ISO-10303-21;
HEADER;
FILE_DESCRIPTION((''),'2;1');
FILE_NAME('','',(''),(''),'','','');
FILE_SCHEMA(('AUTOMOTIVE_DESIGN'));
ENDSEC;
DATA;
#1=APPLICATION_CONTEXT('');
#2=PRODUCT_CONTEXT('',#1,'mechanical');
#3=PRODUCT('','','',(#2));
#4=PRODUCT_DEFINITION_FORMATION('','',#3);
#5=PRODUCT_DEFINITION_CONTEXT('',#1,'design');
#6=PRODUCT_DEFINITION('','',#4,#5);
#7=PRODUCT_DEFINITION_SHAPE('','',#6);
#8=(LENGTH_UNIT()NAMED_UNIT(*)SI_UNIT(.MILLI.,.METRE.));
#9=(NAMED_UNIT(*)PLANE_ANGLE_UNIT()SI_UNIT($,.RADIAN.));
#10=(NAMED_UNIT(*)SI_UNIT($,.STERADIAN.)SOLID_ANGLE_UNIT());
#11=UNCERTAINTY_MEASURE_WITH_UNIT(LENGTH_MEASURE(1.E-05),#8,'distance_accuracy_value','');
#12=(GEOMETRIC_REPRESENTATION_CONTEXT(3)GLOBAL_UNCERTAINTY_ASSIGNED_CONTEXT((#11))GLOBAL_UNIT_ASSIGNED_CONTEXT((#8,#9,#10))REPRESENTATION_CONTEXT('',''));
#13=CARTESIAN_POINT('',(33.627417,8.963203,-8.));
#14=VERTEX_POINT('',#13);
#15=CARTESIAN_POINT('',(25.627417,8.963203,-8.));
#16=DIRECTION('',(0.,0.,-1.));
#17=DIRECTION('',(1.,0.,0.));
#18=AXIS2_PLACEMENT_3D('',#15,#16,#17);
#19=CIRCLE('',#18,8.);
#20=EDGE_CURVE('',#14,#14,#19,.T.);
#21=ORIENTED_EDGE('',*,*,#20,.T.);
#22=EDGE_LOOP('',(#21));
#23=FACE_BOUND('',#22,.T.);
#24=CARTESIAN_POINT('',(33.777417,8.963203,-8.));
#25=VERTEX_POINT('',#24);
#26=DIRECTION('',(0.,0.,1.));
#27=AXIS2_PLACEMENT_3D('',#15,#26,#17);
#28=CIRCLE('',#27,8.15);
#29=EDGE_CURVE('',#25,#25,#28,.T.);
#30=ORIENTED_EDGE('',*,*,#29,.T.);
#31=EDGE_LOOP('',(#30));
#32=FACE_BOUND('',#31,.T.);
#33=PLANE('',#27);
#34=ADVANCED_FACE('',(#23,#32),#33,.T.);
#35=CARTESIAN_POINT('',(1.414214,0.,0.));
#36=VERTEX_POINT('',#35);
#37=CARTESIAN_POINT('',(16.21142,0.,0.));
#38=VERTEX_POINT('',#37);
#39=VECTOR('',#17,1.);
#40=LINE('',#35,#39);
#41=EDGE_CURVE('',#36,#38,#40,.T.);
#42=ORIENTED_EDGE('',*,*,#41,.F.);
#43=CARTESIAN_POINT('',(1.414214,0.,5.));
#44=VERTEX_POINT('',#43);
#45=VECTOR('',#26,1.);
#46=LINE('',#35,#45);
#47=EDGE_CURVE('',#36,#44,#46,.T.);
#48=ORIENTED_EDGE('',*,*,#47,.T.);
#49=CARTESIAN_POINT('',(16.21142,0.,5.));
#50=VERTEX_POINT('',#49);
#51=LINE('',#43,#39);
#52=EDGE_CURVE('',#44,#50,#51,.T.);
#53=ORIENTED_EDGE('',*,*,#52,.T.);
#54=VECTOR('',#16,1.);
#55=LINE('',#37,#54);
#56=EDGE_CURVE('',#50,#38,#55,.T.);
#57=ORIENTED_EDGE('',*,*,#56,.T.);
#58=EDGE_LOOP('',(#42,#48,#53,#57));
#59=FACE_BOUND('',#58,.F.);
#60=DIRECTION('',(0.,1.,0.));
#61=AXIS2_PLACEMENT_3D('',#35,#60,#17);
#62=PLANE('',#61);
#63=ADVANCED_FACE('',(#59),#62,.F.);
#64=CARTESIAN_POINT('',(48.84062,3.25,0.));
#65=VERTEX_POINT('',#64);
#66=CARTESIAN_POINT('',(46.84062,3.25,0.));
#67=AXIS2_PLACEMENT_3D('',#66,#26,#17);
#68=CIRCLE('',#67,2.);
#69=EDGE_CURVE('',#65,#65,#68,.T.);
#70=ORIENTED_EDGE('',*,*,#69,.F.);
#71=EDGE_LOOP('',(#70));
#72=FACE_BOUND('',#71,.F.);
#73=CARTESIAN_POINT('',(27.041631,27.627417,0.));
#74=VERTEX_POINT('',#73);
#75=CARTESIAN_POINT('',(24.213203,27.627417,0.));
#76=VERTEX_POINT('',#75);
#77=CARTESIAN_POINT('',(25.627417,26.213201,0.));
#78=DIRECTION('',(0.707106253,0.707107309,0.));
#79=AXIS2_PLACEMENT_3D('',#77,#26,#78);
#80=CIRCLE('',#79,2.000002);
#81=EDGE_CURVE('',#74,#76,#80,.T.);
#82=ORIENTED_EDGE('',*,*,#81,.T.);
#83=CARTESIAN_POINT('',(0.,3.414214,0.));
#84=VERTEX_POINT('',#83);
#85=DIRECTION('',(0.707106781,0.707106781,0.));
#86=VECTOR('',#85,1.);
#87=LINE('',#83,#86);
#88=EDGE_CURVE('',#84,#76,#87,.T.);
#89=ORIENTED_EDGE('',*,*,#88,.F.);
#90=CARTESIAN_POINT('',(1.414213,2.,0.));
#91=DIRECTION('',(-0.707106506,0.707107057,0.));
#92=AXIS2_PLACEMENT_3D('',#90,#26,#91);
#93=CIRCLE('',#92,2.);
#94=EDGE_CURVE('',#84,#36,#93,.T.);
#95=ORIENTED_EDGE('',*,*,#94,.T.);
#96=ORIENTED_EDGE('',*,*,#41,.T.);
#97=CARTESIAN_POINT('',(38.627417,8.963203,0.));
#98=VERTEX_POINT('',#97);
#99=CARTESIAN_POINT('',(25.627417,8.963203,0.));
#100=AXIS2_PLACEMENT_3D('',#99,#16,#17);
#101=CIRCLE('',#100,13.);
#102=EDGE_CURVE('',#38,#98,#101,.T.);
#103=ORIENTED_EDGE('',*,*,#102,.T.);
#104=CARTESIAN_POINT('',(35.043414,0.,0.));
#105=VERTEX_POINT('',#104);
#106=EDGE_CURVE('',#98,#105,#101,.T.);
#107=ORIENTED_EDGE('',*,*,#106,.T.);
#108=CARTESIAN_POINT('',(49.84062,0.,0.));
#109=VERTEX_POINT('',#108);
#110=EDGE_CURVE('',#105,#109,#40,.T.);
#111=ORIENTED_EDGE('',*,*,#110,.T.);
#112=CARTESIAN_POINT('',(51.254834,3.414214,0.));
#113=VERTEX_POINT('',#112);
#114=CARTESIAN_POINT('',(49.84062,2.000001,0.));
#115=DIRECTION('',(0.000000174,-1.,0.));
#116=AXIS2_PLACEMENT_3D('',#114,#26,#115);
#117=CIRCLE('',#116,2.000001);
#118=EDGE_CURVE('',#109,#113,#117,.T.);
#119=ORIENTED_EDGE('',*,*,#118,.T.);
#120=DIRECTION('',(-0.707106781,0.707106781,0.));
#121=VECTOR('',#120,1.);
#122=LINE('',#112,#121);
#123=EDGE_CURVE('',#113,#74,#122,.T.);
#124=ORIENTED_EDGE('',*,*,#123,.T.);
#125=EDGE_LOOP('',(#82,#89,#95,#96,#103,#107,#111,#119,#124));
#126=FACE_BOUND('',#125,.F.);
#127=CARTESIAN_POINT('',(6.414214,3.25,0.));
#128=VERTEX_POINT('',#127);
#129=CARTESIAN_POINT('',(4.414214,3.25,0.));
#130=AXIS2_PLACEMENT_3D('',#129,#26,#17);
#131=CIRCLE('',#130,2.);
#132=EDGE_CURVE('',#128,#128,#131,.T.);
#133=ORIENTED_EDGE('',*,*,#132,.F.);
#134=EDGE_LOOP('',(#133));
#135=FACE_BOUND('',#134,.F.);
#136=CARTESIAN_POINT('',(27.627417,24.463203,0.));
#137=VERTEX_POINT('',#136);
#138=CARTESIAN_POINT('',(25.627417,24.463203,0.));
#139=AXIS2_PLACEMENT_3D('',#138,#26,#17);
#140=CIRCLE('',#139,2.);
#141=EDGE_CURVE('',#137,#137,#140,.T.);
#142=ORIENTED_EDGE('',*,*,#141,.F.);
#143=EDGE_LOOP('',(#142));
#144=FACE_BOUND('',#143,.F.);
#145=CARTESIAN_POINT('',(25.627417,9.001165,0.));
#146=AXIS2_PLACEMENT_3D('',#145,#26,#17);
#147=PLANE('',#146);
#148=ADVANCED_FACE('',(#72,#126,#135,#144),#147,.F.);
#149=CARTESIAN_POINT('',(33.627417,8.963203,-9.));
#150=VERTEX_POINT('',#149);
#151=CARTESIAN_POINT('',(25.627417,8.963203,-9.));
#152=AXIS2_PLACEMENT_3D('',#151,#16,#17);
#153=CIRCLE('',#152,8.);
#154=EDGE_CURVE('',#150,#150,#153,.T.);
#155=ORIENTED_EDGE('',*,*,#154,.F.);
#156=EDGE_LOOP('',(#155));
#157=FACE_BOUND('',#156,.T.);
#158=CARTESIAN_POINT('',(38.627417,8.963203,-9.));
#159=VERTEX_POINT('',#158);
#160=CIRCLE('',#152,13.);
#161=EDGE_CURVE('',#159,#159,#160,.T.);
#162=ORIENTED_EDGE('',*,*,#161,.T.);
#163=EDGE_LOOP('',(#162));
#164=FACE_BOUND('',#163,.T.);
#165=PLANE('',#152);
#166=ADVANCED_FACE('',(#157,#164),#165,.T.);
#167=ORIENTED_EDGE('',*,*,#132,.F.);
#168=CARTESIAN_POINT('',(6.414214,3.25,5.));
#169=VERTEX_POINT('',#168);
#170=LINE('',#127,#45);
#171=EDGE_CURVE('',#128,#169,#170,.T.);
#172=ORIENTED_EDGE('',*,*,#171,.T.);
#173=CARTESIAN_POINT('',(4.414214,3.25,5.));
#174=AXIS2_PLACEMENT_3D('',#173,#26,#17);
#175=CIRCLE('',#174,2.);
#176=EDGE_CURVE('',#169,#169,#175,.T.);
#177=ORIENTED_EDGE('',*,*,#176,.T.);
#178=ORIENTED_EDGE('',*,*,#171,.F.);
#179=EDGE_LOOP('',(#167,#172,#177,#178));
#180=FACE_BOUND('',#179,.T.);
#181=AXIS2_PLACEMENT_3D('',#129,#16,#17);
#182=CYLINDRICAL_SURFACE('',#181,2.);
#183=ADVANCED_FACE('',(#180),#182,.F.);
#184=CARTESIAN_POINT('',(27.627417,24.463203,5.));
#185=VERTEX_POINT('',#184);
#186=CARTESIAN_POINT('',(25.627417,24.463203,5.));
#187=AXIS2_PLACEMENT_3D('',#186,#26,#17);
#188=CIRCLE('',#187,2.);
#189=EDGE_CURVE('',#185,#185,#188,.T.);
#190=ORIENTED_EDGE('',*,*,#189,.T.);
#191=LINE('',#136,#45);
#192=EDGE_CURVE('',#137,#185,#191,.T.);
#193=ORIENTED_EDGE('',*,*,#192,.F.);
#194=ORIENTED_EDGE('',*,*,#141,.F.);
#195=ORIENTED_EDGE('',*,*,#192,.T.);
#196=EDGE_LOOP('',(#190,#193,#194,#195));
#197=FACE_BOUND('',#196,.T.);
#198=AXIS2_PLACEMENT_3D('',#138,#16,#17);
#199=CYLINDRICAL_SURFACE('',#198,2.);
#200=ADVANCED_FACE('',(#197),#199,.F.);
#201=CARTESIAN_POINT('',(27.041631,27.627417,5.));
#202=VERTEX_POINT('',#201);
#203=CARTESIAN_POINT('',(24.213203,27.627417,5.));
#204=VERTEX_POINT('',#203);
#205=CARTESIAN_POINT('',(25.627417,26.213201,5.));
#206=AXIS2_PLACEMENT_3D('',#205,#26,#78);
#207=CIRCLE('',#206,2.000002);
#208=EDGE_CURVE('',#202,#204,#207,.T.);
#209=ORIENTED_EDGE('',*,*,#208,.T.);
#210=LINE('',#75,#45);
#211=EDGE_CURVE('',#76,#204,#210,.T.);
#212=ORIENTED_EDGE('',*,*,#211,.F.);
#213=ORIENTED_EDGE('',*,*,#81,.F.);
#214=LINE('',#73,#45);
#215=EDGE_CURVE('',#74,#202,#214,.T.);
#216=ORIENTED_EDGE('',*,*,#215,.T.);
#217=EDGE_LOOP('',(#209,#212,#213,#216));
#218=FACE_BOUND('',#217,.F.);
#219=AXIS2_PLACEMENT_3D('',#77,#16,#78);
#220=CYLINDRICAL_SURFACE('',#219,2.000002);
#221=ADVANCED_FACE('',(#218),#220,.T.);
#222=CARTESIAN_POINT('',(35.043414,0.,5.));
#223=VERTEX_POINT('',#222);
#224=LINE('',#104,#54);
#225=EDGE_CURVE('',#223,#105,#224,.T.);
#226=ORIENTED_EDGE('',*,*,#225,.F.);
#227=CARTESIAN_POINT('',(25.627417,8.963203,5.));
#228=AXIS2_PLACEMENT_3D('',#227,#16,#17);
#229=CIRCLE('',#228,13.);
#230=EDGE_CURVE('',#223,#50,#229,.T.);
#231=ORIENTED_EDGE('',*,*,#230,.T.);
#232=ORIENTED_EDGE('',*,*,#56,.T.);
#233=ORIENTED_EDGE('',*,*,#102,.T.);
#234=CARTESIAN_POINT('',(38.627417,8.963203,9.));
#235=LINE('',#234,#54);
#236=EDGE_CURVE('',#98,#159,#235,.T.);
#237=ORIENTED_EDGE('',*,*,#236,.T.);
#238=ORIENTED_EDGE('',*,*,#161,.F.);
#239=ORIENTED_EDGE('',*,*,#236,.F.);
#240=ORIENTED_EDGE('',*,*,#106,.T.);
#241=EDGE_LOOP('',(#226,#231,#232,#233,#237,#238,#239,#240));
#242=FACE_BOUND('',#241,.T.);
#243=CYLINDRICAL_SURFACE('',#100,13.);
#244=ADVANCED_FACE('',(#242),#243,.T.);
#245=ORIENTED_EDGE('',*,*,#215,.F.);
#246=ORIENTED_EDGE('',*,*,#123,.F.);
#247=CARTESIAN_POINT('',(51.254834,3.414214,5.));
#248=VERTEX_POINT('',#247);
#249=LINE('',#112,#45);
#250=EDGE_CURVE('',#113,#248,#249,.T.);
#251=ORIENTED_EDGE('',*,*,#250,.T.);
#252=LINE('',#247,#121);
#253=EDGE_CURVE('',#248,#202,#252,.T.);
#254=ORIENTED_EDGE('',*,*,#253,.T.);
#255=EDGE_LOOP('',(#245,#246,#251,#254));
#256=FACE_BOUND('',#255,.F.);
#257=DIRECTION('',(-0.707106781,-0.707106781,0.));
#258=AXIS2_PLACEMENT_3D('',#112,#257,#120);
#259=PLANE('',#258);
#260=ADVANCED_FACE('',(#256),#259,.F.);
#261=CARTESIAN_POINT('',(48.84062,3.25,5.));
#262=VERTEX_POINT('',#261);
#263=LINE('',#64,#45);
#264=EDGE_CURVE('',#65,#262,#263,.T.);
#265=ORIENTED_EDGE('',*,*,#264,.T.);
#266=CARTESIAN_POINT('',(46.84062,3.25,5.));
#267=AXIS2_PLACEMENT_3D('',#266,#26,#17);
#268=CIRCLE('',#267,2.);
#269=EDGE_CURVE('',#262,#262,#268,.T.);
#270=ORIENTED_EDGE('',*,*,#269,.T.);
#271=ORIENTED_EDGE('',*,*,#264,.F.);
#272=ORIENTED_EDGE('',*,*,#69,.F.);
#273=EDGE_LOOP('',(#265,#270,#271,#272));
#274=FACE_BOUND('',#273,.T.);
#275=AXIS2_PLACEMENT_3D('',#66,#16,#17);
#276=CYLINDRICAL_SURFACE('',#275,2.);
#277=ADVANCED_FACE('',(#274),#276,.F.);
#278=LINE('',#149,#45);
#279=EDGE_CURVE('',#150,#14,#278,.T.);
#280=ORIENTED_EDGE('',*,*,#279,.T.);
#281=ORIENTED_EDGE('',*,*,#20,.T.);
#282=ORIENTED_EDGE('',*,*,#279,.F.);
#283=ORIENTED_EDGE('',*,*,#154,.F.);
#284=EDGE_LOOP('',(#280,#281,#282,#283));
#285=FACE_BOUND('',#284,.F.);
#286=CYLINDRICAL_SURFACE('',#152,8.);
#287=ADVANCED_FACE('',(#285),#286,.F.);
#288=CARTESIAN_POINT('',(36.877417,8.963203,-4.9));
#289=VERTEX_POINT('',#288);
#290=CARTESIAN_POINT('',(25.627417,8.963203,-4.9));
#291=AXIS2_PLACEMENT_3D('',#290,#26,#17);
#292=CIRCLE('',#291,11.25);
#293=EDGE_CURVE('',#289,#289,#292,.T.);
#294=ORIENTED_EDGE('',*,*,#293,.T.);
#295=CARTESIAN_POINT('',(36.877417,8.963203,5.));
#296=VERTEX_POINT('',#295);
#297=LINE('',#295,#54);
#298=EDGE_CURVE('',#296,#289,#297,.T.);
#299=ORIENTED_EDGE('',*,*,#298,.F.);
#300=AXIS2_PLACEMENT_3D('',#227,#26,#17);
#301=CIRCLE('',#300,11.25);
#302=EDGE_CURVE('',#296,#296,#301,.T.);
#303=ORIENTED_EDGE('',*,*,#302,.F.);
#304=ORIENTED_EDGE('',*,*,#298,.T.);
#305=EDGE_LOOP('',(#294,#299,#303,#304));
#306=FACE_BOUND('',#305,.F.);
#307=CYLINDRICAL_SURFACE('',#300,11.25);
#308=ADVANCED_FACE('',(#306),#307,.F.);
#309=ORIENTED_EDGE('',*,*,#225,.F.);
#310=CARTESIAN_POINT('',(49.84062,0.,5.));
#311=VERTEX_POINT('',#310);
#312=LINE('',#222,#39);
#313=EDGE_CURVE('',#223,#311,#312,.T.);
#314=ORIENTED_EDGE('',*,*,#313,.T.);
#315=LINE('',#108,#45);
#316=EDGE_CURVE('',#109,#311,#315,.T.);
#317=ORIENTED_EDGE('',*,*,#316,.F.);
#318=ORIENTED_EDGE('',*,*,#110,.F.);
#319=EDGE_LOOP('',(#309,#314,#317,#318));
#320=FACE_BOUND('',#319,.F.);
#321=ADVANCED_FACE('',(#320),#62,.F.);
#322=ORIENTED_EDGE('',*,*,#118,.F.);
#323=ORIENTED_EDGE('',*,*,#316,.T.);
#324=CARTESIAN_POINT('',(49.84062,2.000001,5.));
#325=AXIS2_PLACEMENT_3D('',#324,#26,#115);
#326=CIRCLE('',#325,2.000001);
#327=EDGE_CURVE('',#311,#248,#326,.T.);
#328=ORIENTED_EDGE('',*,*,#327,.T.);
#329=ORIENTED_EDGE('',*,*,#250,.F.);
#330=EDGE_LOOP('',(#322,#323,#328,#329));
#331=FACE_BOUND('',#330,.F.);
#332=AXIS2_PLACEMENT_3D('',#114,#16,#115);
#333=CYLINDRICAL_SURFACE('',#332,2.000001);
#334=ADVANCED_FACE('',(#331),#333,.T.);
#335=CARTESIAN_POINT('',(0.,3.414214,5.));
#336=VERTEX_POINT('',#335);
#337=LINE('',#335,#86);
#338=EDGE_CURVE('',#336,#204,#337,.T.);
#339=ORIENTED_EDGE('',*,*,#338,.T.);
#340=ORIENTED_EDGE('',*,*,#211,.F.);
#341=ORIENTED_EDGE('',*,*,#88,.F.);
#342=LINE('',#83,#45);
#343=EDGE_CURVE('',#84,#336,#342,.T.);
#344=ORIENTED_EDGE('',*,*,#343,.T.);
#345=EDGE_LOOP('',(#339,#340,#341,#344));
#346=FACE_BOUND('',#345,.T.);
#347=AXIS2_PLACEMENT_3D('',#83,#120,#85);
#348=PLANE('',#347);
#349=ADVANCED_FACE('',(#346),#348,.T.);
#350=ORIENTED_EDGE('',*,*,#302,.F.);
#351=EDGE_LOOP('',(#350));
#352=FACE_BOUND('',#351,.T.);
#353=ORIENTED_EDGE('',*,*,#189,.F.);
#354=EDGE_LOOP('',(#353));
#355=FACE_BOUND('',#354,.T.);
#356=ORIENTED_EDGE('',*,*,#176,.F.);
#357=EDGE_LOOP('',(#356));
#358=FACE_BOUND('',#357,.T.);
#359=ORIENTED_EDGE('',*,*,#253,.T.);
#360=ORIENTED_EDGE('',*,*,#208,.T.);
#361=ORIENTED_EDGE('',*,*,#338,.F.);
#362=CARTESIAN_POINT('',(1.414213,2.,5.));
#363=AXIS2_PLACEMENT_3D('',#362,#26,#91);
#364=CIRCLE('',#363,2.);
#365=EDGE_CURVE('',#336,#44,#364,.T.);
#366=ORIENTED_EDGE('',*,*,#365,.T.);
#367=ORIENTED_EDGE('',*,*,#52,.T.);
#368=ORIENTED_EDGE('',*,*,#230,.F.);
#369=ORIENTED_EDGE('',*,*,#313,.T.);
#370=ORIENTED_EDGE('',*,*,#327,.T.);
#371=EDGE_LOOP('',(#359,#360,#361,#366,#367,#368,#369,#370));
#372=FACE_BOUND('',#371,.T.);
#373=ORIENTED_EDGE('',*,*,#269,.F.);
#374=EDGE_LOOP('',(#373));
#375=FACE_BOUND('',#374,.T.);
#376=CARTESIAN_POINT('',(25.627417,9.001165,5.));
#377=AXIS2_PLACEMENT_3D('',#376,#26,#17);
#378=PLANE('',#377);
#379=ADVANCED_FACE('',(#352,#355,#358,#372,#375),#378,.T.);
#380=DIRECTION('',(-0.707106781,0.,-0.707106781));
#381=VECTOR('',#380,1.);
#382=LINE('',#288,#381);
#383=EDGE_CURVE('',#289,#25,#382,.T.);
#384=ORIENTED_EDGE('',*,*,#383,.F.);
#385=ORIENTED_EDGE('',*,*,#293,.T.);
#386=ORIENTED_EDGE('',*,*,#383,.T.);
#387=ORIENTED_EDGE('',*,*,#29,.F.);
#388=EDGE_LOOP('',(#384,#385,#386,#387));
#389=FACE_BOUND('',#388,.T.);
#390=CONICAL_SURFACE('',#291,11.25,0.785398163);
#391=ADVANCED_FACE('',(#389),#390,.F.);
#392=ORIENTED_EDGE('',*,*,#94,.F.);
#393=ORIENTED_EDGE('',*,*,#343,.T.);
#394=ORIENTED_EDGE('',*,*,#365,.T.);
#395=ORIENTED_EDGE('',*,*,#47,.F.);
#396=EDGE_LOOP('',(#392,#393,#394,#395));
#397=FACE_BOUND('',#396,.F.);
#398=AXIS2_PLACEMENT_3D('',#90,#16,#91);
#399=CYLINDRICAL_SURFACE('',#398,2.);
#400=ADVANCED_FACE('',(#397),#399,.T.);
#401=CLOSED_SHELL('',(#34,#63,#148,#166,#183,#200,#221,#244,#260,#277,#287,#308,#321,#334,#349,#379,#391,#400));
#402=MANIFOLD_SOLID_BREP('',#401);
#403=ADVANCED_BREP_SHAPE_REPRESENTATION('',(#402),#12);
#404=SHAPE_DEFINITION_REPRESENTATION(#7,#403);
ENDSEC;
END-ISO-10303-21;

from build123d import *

# Parameters (mm, degrees)
SKETCH_R        = 2
PAD_DEPTH       = 5
SKETCH001_R     = 13
PAD001_DEPTH    = 9
SKETCH002_R     = 8
POCKET_DEPTH    = 18.001
SKETCH003_W     = 37.242641
SKETCH003_H     = 5
POCKET001_DEPTH = 41.926514
SKETCH004_R     = 11.25
POCKET002_DEPTH = 13
CHAMFER_SIZE    = 3.1


with BuildPart() as part:
    # Sketch → Pad (new body)
    with BuildSketch(Plane.XY):
        with BuildLine():
            Line((1.414214, 0), (49.84062, 0))
            ThreePointArc((49.84062, 0), (51.688379, 1.234633), (51.254834, 3.414214))
            Line((51.254834, 3.414214), (27.041631, 27.627417))
            ThreePointArc((27.041631, 27.627417), (25.627417, 28.213203), (24.213203, 27.627417))
            Line((0, 3.414214), (24.213203, 27.627417))
            ThreePointArc((0, 3.414214), (-0.433546, 1.234633), (1.414214, 0))
        make_face()
        with Locations((4.414214, 3.25)):
            Circle(SKETCH_R, mode=Mode.SUBTRACT)
        with Locations((46.84062, 3.25)):
            Circle(SKETCH_R, mode=Mode.SUBTRACT)
        with Locations((25.627417, 24.463203)):
            Circle(SKETCH_R, mode=Mode.SUBTRACT)
    extrude(amount=PAD_DEPTH)

    # Sketch001 (on Face10 of Pad) → Pad001 (join, symmetric)
    with BuildSketch(Plane(origin=(0, 0, 0), x_dir=(1, 0, 0), z_dir=(0, 0, -1))):
        with Locations((25.627417, -8.963203)):
            Circle(SKETCH001_R)
    extrude(amount=PAD001_DEPTH, both=True)

    # Sketch002 (on Face15 of Pad001) → Pocket (cut, through all)
    with BuildSketch(Plane(origin=(0, 0, -9), x_dir=(1, 0, 0), z_dir=(0, 0, -1))):
        with Locations((25.627417, -8.963203)):
            Circle(SKETCH002_R)
    extrude(amount=-POCKET_DEPTH, mode=Mode.SUBTRACT)

    # Sketch003 (on Face8 of Pocket) → Pocket001 (cut, through all)
    with BuildSketch(Plane(origin=(27.334524, 27.334524, 0), x_dir=(-0.707107, 0.707107, 0), z_dir=(0.707107, 0.707107, 0))):
        with Locations((-15.207106, 7.5)):
            Rectangle(SKETCH003_W, SKETCH003_H)
    extrude(amount=-POCKET001_DEPTH, mode=Mode.SUBTRACT)

    # Sketch004 (on Face15 of Pocket001) → Pocket002 (cut)
    with BuildSketch(Plane.XY.offset(5)):
        with Locations((25.627417, 8.963203)):
            Circle(SKETCH004_R)
    extrude(amount=-POCKET002_DEPTH, mode=Mode.SUBTRACT)

    # Chamfer
    chamfer_edges = [part.edges().sort_by_distance(p)[0] for p in [
        (14.377417, 8.963203, -8),
    ]]
    chamfer(chamfer_edges, length=CHAMFER_SIZE)


solid = part.part
